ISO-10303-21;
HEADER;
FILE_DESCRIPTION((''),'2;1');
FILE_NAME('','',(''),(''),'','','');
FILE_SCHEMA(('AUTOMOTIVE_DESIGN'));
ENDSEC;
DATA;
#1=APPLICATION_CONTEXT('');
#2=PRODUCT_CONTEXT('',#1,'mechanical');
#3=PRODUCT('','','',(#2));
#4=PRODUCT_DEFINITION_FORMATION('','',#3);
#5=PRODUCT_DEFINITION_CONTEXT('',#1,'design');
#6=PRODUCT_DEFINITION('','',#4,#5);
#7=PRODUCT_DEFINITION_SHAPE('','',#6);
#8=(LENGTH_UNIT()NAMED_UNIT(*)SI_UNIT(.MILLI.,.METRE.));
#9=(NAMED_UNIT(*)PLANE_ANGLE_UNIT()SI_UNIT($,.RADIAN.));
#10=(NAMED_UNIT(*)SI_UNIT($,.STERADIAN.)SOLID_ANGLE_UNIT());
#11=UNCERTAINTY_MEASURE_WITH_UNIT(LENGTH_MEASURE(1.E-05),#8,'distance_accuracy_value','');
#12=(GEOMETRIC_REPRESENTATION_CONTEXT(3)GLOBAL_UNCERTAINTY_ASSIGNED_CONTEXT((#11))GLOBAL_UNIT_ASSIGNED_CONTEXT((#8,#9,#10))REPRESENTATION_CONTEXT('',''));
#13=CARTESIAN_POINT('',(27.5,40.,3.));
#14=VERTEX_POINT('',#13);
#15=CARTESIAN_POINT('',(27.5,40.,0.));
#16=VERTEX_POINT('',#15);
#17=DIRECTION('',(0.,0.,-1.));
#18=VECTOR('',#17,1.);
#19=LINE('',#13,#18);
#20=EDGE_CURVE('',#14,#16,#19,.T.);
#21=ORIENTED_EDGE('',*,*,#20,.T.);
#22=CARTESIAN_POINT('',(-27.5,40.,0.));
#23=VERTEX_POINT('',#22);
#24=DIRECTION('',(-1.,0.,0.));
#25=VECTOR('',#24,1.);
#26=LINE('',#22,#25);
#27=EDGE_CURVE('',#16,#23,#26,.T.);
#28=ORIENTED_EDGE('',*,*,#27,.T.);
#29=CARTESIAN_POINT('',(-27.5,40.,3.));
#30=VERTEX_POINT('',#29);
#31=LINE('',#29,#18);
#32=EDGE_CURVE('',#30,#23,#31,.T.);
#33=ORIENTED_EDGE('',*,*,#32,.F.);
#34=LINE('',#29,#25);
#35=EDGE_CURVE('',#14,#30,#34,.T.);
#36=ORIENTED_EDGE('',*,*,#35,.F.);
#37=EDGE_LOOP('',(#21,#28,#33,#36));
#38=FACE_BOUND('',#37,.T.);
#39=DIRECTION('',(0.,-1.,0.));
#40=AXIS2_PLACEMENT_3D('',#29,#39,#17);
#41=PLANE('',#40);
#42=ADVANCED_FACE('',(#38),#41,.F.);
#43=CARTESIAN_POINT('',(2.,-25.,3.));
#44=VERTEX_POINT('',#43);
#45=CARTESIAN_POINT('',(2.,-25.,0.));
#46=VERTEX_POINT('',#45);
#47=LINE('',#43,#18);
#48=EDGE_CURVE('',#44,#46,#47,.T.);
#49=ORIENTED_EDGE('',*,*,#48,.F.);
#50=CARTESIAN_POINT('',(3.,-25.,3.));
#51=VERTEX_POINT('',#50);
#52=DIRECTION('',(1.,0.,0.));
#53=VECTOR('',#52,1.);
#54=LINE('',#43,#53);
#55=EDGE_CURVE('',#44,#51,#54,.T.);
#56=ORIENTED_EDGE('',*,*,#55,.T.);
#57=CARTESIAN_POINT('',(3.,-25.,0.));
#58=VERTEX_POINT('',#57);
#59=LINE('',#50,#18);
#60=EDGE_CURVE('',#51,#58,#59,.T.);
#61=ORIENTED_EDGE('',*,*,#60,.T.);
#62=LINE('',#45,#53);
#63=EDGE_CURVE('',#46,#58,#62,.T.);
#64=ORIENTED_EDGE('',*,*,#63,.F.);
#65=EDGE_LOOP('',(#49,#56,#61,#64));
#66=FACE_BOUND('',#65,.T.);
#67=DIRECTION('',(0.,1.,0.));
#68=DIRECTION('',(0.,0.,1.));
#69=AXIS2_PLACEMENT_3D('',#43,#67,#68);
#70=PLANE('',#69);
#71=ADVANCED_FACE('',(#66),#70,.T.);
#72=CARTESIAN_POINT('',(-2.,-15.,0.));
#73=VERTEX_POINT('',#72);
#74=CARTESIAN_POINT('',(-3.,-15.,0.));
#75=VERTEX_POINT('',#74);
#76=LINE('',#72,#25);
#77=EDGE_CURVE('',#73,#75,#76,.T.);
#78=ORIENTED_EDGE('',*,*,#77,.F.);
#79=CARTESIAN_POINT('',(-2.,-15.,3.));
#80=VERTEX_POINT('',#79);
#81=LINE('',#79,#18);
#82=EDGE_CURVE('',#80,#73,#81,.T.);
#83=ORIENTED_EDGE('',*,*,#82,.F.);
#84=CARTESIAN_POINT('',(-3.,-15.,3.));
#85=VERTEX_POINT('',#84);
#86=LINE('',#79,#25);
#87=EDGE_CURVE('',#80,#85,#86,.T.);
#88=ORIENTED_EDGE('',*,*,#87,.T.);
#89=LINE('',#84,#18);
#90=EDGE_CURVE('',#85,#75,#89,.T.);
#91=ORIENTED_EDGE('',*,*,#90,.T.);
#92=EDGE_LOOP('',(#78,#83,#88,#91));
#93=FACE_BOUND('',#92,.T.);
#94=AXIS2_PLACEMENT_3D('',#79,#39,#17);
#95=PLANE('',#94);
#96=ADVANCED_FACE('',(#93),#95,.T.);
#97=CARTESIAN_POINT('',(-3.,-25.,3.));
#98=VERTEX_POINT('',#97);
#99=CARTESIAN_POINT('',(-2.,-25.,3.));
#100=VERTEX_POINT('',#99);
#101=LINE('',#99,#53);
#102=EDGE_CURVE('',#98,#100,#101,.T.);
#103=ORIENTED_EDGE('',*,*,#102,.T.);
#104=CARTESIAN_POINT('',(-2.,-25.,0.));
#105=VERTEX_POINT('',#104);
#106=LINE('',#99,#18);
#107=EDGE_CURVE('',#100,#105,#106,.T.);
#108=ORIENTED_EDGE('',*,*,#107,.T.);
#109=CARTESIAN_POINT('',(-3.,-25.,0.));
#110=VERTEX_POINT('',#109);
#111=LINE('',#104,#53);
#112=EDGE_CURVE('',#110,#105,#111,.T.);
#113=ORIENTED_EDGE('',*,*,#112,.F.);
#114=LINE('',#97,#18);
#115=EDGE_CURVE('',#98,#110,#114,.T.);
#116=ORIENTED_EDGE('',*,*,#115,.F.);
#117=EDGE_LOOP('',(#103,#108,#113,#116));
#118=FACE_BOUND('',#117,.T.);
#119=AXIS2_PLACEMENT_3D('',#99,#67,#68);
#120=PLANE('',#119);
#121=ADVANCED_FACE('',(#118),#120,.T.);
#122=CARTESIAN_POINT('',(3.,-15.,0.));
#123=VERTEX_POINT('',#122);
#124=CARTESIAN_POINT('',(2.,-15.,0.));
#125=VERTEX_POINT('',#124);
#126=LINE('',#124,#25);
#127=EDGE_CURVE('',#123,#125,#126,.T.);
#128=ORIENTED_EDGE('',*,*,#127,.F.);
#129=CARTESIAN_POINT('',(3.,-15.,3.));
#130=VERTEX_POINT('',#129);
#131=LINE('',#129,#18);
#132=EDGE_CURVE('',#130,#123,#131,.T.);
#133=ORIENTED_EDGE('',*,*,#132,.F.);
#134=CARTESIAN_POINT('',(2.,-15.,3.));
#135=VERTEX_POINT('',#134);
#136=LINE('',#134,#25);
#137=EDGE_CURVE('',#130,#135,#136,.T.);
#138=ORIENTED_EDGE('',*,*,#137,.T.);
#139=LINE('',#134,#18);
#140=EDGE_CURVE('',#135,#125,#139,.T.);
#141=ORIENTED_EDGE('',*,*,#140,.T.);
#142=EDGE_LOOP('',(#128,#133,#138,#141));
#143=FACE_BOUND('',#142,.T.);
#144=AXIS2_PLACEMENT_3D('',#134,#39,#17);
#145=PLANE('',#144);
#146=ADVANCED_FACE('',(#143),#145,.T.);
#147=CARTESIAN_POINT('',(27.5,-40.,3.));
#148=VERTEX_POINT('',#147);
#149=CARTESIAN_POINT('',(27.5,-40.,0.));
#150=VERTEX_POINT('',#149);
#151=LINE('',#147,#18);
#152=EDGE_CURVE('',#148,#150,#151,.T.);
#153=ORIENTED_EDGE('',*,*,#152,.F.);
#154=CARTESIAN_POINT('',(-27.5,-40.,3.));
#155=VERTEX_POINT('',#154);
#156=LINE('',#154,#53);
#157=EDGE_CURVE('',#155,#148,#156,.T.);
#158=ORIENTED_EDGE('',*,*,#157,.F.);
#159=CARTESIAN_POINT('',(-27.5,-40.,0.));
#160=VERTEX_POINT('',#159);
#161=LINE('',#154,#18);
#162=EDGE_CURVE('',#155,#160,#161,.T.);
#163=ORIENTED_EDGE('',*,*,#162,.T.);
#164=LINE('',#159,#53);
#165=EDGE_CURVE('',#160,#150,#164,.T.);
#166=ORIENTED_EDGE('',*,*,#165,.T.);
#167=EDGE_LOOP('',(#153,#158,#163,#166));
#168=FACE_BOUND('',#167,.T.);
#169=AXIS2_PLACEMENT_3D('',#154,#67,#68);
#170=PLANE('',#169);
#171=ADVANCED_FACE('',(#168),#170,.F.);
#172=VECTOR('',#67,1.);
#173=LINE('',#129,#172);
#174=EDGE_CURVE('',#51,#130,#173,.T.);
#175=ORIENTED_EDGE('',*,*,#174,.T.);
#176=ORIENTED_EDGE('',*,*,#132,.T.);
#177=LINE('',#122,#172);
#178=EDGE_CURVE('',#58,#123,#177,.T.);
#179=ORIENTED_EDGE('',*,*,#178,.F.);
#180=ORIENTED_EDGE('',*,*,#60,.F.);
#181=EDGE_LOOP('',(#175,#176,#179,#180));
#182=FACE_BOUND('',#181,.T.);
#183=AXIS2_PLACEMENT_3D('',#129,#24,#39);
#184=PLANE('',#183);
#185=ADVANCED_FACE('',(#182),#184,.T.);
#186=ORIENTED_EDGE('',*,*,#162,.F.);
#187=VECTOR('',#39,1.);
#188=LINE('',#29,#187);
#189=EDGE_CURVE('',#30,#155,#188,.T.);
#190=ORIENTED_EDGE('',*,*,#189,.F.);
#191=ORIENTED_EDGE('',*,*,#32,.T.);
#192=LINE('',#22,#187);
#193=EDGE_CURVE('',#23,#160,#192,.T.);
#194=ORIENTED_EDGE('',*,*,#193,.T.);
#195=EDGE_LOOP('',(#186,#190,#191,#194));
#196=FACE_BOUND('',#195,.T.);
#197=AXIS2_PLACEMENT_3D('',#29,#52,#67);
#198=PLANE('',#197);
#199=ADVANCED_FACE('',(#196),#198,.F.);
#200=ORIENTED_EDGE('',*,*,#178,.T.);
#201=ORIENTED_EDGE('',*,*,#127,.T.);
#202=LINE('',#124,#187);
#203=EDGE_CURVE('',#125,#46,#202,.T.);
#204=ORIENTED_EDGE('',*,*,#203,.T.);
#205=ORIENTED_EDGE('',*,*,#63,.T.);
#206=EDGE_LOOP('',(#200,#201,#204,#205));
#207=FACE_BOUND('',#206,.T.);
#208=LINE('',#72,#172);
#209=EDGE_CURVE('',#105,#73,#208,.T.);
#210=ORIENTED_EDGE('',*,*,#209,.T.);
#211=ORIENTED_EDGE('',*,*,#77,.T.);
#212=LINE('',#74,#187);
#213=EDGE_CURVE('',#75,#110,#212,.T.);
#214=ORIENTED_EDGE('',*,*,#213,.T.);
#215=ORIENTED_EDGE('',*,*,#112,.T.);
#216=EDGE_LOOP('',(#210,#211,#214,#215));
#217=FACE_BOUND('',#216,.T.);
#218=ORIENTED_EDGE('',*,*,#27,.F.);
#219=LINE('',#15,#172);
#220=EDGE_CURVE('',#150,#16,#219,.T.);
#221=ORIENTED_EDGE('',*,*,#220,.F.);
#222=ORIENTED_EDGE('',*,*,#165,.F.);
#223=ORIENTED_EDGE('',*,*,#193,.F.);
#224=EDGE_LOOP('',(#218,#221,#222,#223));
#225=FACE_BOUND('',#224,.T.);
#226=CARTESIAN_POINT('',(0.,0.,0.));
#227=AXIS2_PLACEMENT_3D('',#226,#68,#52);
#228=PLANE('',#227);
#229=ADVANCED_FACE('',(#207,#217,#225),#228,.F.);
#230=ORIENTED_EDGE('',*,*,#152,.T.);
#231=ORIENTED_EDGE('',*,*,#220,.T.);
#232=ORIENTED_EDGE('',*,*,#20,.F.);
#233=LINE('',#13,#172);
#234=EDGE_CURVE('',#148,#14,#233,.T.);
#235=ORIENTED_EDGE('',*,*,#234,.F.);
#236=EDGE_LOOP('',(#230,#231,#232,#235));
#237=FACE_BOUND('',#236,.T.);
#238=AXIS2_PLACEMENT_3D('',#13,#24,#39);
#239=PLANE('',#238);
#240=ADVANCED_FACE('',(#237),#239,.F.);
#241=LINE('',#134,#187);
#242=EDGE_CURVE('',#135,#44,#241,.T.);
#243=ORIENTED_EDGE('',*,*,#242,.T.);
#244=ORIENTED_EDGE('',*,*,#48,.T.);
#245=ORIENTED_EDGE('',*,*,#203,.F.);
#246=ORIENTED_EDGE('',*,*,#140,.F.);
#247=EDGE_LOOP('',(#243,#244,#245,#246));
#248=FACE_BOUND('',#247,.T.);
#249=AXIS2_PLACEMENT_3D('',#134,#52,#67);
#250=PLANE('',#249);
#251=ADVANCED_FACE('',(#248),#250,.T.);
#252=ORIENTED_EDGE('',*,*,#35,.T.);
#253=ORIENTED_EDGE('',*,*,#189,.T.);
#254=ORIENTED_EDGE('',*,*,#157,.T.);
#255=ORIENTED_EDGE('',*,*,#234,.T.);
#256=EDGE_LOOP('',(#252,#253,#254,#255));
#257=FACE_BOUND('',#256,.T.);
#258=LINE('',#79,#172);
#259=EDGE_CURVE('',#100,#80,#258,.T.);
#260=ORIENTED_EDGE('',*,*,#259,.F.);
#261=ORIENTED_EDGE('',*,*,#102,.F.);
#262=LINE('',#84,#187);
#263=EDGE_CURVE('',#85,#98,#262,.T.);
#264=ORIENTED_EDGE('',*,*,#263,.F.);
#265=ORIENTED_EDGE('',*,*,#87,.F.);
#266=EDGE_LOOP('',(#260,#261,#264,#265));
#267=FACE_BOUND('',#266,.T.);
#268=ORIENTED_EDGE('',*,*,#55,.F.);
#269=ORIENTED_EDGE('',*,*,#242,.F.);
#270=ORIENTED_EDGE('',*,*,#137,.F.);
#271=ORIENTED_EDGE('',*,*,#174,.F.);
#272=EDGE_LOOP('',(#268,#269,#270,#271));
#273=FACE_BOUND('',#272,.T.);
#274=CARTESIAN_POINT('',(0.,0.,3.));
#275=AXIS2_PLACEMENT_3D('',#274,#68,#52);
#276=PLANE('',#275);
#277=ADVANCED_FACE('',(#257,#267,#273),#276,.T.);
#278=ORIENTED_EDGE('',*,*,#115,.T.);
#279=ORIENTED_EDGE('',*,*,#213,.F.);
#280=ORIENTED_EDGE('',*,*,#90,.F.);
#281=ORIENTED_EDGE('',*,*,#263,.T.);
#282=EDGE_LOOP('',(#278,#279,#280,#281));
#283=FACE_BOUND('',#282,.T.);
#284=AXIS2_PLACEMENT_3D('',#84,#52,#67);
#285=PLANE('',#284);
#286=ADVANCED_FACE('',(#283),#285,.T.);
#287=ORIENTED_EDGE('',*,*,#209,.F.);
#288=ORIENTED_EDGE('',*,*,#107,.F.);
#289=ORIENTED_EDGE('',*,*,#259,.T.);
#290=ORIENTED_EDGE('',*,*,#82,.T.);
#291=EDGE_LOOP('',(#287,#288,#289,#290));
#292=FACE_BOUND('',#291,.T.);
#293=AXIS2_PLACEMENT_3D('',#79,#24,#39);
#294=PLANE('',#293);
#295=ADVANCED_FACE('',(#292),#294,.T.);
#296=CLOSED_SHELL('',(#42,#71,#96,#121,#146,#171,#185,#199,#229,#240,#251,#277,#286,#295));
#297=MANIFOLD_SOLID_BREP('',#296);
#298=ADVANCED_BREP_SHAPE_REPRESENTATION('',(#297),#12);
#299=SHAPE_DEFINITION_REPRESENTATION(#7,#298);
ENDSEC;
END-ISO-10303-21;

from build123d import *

# Parameters (mm, degrees)
SKETCH1_W           = 55
SKETCH1_H           = 80
SKETCH1_W_2         = 1
SKETCH1_H_2         = 10
BOSS_EXTRUDE1_DEPTH = 3


with BuildPart() as part:
    # Sketch1 → Boss-Extrude1 (new body)
    with BuildSketch(Plane.XY):
        Rectangle(SKETCH1_W, SKETCH1_H)
        with Locations((2.5, -20)):
            Rectangle(SKETCH1_W_2, SKETCH1_H_2, mode=Mode.SUBTRACT)
        with Locations((-2.5, -20)):
            Rectangle(SKETCH1_W_2, SKETCH1_H_2, mode=Mode.SUBTRACT)
    extrude(amount=BOSS_EXTRUDE1_DEPTH)


solid = part.part
